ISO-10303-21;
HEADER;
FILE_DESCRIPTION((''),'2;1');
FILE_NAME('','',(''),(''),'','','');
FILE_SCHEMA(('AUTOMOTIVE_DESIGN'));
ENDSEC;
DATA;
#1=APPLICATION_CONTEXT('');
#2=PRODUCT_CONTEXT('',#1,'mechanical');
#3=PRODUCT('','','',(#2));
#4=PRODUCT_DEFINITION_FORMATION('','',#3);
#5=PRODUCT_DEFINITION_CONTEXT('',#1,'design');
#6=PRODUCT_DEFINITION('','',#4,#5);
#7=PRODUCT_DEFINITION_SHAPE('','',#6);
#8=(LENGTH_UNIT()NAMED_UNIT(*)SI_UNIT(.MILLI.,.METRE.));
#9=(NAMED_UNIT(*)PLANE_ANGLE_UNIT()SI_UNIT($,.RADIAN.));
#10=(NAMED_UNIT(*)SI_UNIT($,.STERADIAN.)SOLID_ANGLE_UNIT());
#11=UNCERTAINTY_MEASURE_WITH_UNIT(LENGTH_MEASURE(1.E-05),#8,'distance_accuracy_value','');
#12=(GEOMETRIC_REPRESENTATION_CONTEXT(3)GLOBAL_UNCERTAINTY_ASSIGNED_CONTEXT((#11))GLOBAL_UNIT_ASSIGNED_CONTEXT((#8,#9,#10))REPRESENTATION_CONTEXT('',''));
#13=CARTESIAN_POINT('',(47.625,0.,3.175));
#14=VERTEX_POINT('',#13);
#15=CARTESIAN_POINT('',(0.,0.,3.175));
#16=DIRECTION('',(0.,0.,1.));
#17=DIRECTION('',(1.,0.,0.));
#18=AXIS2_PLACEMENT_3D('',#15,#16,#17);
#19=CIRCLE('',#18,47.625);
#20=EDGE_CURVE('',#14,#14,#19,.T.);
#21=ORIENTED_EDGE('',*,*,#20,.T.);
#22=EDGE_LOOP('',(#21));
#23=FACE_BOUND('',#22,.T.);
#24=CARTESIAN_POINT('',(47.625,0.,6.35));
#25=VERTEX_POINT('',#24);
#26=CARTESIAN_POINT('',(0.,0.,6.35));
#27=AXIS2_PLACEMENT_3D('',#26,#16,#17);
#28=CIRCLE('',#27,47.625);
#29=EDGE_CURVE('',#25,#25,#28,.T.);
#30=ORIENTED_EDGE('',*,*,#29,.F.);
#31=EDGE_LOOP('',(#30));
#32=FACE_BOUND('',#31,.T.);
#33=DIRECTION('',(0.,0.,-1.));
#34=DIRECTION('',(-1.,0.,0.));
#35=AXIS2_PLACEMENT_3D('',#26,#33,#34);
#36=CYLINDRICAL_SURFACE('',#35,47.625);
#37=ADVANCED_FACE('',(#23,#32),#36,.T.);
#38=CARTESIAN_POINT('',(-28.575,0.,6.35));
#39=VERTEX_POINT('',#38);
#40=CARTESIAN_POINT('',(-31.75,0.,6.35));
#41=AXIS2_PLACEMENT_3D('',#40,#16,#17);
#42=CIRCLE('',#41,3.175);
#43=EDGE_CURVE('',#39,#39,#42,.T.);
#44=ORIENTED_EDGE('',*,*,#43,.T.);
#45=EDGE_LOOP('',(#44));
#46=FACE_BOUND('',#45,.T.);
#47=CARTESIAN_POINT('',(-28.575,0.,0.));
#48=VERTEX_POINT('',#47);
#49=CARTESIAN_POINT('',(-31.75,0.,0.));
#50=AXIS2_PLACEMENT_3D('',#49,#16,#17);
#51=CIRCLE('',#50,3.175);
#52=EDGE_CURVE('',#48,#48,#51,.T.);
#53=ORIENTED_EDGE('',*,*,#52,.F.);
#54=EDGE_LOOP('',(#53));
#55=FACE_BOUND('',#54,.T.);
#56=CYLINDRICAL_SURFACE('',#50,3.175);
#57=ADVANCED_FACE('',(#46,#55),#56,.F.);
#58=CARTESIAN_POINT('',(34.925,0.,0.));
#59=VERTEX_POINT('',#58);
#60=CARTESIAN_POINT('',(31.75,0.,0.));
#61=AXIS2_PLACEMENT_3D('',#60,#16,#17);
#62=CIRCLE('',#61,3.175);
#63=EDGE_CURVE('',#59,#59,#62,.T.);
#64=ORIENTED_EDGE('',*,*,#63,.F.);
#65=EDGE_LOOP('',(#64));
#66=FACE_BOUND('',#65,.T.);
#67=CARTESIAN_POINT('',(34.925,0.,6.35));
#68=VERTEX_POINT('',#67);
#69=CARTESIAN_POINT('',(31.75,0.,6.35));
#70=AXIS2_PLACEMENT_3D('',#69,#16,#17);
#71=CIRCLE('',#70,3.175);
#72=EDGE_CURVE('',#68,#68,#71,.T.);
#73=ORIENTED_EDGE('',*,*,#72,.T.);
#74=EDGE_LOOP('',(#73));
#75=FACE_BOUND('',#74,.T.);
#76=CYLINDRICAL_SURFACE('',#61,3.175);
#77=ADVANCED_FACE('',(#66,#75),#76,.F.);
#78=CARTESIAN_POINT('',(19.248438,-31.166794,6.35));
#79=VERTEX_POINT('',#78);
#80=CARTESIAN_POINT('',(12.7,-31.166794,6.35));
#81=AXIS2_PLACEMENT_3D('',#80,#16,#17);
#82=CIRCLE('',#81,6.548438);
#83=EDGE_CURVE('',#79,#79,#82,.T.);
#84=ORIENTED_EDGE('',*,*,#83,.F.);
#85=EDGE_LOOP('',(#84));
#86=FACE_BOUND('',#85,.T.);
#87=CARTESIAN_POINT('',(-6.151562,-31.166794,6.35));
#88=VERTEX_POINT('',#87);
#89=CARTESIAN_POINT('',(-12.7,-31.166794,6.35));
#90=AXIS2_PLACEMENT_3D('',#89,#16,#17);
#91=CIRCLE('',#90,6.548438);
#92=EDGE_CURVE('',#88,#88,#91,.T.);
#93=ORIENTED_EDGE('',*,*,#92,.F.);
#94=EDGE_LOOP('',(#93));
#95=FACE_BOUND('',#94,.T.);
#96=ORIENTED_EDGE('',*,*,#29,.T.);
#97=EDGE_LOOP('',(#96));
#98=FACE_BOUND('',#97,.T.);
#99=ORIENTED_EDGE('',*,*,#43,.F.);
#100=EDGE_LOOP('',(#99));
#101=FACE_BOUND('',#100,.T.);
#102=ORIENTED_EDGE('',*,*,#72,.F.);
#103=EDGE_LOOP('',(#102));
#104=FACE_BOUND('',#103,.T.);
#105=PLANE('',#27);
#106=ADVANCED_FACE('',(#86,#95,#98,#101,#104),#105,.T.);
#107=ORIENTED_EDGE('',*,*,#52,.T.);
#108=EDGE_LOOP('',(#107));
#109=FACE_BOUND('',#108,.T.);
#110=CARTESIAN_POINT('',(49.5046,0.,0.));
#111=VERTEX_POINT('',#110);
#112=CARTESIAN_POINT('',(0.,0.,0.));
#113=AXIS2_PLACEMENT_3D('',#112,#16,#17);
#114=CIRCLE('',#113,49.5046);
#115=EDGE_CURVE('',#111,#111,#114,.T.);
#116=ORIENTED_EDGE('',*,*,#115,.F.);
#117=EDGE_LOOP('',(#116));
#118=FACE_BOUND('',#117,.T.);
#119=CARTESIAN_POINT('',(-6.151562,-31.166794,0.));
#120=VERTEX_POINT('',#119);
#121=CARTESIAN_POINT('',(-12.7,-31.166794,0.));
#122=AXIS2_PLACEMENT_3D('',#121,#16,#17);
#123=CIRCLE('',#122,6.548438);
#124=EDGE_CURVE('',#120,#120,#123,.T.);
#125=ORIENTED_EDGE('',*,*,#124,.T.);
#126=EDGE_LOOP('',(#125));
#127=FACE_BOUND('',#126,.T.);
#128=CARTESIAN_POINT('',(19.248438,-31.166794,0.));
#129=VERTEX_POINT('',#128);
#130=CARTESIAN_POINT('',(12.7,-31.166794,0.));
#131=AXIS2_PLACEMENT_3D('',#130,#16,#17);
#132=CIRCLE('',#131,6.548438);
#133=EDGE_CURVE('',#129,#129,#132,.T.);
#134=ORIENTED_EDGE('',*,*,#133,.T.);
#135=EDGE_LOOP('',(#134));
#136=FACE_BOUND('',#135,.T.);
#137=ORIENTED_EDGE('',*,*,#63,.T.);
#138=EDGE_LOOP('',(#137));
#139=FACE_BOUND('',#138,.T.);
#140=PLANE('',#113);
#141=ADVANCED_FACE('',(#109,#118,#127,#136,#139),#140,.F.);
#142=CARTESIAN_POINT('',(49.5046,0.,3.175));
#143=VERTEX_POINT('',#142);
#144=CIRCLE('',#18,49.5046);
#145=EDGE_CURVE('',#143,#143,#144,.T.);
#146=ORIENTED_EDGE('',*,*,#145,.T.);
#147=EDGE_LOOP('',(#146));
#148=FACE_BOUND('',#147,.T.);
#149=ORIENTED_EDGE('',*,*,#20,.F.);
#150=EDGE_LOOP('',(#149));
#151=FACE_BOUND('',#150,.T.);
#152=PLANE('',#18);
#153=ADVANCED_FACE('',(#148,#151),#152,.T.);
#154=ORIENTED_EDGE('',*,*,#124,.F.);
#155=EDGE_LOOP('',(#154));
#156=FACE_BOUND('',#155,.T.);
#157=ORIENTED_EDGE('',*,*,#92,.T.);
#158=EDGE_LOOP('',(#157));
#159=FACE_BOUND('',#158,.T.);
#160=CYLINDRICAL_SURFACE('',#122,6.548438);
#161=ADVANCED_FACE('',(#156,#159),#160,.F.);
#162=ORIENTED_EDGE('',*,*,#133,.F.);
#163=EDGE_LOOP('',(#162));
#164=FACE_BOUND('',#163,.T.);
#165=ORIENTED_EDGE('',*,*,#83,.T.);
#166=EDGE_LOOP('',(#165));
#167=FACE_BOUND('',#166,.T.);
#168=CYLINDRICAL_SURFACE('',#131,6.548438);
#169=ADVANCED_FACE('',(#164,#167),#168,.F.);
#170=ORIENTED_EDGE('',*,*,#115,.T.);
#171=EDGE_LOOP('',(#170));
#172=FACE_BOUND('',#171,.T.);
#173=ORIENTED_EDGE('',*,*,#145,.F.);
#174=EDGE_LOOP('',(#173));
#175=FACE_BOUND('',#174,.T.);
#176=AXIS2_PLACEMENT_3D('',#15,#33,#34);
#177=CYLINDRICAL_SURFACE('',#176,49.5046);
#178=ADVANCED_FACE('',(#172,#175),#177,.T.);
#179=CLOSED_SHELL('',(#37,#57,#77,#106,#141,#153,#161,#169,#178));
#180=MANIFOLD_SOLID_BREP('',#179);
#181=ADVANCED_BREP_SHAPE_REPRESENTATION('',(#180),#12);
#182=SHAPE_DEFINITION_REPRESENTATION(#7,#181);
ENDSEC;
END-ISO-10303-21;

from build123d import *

# Parameters (mm, degrees)
SKETCH1_R           = 49.5046
BOSS_EXTRUDE1_DEPTH = 3.175
SKETCH2_R           = 47.625
BOSS_EXTRUDE2_DEPTH = 3.175
SKETCH3_R           = 6.5484375
SKETCH3_R_2         = 3.175
CUT_EXTRUDE1_DEPTH  = 7.35


with BuildPart() as part:
    # Sketch1 → Boss-Extrude1 (new body)
    with BuildSketch(Plane.XY):
        Circle(SKETCH1_R)
    extrude(amount=BOSS_EXTRUDE1_DEPTH)

    # Sketch2 → Boss-Extrude2 (add)
    with BuildSketch(Plane.XY.offset(3.175)):
        Circle(SKETCH2_R)
    extrude(amount=BOSS_EXTRUDE2_DEPTH)

    # Sketch3 → Cut-Extrude1 (cut, through all)
    with BuildSketch(Plane.XY.offset(6.35)):
        with Locations((-12.7, -31.166793627)):
            Circle(SKETCH3_R)
        with Locations((12.7, -31.166793627)):
            Circle(SKETCH3_R)
        with Locations((-31.75, 0)):
            Circle(SKETCH3_R_2)
        with Locations((31.75, 0)):
            Circle(SKETCH3_R_2)
    extrude(amount=-CUT_EXTRUDE1_DEPTH, mode=Mode.SUBTRACT)


solid = part.part
